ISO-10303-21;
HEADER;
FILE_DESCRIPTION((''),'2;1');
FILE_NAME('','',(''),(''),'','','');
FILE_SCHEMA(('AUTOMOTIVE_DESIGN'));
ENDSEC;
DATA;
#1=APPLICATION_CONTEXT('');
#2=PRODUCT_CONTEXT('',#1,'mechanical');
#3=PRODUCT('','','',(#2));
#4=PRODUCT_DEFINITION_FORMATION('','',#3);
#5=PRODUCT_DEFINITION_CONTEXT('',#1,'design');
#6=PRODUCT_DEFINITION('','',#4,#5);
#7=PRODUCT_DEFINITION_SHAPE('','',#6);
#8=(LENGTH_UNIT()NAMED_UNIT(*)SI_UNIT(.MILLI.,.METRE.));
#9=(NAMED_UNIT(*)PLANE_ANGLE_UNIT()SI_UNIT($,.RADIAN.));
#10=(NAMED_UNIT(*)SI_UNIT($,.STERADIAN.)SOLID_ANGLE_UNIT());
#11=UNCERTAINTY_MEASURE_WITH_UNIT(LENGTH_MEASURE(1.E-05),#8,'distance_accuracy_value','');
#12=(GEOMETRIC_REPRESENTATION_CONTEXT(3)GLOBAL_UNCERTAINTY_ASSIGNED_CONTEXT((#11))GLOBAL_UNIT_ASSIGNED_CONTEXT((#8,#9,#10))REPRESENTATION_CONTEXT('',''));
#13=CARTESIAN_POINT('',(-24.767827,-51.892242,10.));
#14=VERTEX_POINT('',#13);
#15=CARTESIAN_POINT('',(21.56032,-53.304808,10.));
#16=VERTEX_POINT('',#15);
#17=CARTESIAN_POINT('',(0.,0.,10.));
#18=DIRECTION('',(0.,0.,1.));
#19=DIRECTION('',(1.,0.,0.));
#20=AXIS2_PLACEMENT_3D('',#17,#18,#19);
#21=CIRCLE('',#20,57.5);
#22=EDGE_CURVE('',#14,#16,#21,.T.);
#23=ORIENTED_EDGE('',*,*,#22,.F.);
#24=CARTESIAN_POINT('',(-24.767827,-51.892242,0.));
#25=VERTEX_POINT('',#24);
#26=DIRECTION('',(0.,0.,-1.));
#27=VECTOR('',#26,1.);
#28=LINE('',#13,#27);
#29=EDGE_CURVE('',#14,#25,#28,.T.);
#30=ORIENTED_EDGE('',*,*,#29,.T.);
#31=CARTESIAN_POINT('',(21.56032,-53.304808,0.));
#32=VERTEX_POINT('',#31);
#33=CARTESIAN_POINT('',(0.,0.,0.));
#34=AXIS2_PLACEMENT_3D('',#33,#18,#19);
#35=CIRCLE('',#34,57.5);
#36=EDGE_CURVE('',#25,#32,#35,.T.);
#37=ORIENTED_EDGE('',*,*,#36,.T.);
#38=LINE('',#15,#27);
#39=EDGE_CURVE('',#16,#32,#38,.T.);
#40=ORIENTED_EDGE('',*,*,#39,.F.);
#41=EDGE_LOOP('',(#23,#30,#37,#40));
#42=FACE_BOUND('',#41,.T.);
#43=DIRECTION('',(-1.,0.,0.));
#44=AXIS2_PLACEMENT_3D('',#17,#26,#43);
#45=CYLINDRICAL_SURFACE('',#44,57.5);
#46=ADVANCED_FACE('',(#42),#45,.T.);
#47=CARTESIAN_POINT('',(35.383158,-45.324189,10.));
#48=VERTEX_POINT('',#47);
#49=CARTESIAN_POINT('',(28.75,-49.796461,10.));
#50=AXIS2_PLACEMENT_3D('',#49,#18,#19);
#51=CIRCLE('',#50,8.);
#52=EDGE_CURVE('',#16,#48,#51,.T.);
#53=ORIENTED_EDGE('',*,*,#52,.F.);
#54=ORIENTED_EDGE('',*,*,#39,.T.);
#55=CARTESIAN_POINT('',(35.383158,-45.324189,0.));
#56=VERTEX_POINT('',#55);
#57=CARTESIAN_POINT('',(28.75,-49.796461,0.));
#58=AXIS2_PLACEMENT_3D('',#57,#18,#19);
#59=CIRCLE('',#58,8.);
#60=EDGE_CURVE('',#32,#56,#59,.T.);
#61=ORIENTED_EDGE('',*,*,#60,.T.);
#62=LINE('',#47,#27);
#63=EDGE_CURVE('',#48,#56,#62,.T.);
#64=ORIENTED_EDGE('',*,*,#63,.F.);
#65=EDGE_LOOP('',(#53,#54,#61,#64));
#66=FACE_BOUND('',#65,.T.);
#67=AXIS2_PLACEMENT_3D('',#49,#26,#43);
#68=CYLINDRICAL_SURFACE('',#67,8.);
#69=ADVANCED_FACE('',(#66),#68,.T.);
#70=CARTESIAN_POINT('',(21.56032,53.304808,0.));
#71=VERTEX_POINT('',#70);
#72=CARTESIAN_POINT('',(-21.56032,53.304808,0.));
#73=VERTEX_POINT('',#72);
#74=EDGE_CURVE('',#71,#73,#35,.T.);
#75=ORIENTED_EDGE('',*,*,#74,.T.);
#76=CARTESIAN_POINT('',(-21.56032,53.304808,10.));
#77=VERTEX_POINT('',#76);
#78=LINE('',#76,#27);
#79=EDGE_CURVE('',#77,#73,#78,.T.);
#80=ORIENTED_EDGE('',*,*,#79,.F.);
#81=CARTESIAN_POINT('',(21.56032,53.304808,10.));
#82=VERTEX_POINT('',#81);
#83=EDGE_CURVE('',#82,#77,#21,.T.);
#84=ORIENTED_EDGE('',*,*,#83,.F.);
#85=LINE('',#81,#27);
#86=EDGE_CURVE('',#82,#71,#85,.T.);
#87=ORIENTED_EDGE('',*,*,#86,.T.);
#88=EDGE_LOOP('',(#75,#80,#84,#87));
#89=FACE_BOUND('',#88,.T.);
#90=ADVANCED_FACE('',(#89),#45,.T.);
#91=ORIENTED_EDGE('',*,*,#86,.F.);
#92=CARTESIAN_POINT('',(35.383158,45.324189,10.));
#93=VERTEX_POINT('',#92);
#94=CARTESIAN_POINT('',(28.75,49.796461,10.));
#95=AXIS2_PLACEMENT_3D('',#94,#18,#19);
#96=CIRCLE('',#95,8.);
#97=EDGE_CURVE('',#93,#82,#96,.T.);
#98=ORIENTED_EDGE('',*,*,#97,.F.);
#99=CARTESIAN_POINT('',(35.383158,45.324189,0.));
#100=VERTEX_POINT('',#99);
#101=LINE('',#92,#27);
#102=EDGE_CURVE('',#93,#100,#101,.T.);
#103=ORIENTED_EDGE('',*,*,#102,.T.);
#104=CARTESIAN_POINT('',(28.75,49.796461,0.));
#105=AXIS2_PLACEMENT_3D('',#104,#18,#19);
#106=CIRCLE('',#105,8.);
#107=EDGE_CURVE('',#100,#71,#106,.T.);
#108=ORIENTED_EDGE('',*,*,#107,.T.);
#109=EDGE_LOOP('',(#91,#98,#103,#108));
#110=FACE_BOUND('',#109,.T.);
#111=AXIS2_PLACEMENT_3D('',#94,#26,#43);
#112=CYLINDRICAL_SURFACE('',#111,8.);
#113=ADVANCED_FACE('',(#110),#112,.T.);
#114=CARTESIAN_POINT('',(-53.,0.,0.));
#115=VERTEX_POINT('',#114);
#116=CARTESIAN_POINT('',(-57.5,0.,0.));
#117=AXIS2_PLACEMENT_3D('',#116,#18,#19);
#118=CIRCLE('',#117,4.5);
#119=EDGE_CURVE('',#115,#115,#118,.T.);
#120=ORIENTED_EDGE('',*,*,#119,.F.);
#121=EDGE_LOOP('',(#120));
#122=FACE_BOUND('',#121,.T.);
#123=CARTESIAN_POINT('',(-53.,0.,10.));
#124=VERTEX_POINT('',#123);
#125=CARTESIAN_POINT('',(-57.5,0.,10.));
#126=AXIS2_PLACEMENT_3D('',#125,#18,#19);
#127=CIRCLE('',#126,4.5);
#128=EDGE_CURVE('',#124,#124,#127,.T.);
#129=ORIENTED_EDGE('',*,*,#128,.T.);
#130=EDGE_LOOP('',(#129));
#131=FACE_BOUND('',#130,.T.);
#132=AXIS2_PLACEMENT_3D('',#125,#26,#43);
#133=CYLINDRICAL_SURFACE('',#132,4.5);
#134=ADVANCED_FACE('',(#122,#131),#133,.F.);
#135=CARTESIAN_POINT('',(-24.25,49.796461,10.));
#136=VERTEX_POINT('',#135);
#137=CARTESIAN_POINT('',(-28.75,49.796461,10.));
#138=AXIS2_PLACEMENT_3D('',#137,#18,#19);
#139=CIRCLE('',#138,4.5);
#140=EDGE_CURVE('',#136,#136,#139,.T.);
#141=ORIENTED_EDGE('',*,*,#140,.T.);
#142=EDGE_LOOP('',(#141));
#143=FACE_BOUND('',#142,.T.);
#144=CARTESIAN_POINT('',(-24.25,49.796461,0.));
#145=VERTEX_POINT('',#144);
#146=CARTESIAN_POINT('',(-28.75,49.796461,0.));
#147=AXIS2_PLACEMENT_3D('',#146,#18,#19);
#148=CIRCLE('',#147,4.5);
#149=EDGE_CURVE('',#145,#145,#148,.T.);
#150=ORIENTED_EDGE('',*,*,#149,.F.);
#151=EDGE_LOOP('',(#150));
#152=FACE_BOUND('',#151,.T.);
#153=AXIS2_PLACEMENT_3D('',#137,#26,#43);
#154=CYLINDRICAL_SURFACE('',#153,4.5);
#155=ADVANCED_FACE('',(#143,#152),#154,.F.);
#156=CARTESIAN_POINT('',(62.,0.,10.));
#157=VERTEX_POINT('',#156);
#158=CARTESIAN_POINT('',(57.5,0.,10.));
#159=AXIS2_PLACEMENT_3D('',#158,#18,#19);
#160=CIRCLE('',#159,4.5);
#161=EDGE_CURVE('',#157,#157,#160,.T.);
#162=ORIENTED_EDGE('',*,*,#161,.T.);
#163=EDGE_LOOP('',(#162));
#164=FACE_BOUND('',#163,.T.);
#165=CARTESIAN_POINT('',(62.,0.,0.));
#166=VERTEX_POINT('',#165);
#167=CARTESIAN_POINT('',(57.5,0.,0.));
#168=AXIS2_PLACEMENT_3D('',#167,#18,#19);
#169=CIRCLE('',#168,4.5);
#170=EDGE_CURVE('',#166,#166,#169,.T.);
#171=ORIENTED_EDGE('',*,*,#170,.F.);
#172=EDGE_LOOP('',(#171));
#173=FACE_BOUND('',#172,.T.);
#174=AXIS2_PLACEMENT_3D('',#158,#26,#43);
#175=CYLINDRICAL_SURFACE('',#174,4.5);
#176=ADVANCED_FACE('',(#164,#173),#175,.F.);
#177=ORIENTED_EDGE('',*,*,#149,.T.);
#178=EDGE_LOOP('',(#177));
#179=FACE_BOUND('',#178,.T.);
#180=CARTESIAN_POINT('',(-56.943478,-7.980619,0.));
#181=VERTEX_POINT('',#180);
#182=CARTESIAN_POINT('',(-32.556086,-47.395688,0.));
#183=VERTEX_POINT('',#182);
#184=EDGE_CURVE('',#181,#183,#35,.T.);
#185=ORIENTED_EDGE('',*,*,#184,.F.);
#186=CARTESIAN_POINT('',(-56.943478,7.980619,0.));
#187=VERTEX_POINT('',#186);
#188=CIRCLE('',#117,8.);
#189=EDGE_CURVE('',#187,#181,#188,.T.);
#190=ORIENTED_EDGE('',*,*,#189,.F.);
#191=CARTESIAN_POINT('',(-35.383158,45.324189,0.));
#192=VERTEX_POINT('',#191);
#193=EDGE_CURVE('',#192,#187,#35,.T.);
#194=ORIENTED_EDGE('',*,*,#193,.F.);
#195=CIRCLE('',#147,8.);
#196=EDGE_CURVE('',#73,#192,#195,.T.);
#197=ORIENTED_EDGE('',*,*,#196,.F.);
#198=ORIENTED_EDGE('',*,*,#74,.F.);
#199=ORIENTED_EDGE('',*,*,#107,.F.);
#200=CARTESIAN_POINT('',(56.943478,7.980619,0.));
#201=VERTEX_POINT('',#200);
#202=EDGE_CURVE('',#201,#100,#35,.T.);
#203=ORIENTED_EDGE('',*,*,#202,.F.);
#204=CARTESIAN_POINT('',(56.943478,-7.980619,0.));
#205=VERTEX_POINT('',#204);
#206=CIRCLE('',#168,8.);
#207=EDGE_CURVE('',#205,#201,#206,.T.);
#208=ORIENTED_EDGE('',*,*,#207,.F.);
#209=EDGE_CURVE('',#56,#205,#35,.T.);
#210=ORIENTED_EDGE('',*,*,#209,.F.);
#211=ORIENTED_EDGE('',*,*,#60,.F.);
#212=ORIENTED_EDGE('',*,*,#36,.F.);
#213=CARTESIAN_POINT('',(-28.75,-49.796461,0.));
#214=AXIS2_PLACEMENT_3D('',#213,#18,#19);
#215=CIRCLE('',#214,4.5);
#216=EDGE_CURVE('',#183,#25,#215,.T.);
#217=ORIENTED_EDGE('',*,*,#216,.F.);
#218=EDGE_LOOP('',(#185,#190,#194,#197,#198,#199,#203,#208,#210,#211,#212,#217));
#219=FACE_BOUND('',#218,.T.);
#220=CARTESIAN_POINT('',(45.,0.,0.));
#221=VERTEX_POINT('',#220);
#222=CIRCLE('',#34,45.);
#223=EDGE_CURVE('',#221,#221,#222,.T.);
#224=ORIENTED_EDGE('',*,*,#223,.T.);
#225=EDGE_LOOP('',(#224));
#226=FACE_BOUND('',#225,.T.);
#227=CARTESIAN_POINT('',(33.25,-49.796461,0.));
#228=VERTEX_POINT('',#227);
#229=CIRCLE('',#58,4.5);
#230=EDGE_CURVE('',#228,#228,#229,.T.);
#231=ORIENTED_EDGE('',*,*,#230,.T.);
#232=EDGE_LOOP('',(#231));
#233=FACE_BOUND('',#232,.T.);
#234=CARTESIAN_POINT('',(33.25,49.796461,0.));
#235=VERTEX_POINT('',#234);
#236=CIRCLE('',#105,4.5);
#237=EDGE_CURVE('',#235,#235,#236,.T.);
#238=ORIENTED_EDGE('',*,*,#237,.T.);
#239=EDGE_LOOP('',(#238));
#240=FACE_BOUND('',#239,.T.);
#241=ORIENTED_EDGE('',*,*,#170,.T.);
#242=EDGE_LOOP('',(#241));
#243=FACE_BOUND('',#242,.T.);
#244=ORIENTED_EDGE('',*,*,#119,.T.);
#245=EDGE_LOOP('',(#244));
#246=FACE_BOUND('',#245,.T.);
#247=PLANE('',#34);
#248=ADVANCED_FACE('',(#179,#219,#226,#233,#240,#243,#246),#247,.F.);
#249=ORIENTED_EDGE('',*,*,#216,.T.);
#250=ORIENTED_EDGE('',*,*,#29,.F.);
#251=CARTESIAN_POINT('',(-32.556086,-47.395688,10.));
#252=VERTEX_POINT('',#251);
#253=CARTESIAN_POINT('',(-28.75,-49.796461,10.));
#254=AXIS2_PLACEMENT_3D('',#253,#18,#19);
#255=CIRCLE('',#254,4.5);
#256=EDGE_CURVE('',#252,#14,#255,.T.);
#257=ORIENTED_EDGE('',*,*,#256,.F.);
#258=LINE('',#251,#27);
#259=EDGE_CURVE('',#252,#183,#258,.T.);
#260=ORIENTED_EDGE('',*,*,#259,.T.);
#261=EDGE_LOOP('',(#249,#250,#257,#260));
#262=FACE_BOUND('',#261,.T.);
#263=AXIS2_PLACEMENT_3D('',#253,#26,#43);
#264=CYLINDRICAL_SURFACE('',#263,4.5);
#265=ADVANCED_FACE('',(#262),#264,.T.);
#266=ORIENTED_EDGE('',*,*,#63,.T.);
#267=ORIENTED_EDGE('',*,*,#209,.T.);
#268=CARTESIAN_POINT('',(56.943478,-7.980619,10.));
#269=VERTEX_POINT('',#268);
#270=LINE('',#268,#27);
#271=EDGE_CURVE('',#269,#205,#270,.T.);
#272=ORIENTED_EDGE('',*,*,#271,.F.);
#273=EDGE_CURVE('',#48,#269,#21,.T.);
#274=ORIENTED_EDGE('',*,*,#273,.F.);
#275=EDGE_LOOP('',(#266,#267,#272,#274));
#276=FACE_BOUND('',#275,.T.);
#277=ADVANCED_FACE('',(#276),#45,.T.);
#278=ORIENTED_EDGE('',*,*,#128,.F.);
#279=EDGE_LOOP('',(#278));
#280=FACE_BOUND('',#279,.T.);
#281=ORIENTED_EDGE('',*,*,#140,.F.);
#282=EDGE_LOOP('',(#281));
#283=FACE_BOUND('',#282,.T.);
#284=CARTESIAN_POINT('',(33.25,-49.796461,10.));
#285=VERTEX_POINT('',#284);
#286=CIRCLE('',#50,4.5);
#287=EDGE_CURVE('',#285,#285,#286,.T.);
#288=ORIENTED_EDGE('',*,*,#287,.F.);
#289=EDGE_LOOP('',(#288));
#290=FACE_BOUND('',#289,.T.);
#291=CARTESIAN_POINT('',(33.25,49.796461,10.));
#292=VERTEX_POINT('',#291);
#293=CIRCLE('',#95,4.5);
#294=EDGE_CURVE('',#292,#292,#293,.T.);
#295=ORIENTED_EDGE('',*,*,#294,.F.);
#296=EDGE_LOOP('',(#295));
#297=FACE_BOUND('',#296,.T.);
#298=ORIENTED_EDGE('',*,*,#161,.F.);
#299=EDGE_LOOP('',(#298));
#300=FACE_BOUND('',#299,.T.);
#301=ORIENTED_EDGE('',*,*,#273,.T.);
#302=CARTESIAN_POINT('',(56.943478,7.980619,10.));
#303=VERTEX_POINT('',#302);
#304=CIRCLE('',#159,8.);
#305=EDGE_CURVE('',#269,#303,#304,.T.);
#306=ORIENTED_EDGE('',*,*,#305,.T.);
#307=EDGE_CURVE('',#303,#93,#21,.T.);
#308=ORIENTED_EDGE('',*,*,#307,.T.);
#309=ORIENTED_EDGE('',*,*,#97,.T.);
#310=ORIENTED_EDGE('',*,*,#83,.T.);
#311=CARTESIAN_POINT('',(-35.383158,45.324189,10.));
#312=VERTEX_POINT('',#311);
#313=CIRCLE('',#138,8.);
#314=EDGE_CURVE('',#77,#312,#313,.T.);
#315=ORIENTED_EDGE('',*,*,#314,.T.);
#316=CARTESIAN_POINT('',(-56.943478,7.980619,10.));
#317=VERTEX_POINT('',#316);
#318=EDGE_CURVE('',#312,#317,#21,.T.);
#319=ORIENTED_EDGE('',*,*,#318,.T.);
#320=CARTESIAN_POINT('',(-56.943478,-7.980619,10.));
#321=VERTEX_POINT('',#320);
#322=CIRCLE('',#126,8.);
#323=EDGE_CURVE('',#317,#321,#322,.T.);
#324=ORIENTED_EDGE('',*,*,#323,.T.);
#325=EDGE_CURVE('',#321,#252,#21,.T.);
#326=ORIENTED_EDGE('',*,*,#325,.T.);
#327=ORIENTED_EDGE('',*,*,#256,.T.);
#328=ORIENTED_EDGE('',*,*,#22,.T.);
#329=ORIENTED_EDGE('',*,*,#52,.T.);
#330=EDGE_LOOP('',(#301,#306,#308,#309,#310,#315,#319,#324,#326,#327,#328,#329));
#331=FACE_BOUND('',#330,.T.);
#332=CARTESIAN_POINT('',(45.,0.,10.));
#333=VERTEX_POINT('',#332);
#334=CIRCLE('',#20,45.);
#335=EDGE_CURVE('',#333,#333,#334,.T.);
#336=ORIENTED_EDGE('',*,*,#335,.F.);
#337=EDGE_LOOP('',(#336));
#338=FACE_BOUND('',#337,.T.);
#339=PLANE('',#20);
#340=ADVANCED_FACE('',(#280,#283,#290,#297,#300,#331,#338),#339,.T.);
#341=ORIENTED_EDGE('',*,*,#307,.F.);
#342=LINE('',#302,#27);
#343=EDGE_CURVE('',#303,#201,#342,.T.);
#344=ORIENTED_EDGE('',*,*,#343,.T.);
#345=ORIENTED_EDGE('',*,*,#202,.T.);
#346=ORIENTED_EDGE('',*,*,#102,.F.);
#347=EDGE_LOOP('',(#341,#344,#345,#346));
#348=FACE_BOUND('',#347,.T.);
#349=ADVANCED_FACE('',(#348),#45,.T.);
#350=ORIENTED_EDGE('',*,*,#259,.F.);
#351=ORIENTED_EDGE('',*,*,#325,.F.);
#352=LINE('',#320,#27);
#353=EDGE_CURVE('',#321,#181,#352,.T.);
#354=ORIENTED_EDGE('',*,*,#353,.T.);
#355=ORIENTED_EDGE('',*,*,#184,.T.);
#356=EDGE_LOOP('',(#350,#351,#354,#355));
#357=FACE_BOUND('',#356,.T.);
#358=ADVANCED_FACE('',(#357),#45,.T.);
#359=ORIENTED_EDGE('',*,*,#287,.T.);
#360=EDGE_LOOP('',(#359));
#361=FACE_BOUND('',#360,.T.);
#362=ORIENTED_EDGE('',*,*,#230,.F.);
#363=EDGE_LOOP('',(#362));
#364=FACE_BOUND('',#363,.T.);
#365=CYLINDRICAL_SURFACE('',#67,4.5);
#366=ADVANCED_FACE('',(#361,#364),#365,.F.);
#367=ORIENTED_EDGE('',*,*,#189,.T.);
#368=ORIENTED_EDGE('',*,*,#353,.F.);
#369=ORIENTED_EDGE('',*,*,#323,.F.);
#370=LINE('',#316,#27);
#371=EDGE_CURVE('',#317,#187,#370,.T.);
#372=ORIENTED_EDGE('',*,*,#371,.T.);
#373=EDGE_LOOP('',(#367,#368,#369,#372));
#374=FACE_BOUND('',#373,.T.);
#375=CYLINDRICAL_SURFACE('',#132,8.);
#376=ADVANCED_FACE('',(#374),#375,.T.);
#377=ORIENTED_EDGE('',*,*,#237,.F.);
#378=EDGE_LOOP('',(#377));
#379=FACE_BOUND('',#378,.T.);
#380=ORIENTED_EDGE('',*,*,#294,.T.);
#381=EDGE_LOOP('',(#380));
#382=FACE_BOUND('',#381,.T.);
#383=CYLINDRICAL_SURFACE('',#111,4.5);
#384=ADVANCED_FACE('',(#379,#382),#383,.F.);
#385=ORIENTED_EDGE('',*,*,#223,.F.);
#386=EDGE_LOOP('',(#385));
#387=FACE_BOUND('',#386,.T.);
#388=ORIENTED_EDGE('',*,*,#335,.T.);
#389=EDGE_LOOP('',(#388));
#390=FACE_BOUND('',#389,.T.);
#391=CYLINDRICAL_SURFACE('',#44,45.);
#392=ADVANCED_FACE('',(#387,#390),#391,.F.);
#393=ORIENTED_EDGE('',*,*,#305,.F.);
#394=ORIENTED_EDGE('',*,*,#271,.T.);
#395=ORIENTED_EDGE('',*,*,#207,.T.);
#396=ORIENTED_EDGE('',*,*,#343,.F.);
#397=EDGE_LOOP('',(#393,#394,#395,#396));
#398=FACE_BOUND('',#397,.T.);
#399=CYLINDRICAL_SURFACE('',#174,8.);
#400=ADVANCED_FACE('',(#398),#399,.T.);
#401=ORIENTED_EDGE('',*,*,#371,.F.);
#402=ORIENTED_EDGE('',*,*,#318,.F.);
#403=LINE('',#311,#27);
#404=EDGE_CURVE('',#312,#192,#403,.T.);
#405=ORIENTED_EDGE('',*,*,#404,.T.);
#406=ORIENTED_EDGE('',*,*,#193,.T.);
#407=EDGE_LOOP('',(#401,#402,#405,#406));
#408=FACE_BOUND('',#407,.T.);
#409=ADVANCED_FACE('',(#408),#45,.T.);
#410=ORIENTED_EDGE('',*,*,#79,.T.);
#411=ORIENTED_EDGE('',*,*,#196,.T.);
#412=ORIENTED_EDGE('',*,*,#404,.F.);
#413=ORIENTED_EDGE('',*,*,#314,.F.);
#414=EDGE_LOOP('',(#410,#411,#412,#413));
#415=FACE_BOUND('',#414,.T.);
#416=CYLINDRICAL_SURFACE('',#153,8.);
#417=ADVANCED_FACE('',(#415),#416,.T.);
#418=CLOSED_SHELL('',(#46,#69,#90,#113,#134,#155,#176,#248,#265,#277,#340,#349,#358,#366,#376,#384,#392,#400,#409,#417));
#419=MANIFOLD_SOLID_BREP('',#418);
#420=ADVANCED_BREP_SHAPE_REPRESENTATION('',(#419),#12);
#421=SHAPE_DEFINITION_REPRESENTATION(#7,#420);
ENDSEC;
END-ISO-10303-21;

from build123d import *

# Parameters (mm, degrees)
SKETCH1_R           = 4.5
SKETCH1_R_2         = 45
BOSS_EXTRUDE1_DEPTH = 10


with BuildPart() as part:
    # Sketch1 → Boss-Extrude1 (new body)
    with BuildSketch(Plane.XY):
        with BuildLine():
            ThreePointArc((56.943478261, -7.980619246), (65.5, 0), (56.943478261, 7.980619246))
            ThreePointArc((56.943478261, 7.980619246), (49.796460718, 28.75), (35.383158136, 45.324189131))
            ThreePointArc((35.383158136, 45.324189131), (32.75, 56.724663948), (21.560320125, 53.304808377))
            ThreePointArc((21.560320125, 53.304808377), (0, 57.5), (-21.560320125, 53.304808377))
            ThreePointArc((-21.560320125, 53.304808377), (-32.75, 56.724663948), (-35.383158136, 45.324189131))
            ThreePointArc((-35.383158136, 45.324189131), (-49.796460718, 28.75), (-56.943478261, 7.980619246))
            ThreePointArc((-56.943478261, 7.980619246), (-65.5, 0), (-56.943478261, -7.980619246))
            ThreePointArc((-56.943478261, -7.980619246), (-48.897136106, -30.254257231), (-32.556086083, -47.39568819))
            ThreePointArc((-32.556086083, -47.39568819), (-31, -53.693575035), (-24.767826961, -51.89224169))
            ThreePointArc((-24.767826961, -51.89224169), (-1.752387282, -57.473290656), (21.560320125, -53.304808377))
            ThreePointArc((21.560320125, -53.304808377), (32.75, -56.724663948), (35.383158136, -45.324189131))
            ThreePointArc((35.383158136, -45.324189131), (49.796460718, -28.75), (56.943478261, -7.980619246))
        make_face()
        with Locations((57.5, 0)):
            Circle(SKETCH1_R, mode=Mode.SUBTRACT)
        with Locations((-57.5, 0)):
            Circle(SKETCH1_R, mode=Mode.SUBTRACT)
        with Locations((-28.75, 49.796460718)):
            Circle(SKETCH1_R, mode=Mode.SUBTRACT)
        with Locations((28.75, 49.796460718)):
            Circle(SKETCH1_R, mode=Mode.SUBTRACT)
        Circle(SKETCH1_R_2, mode=Mode.SUBTRACT)
        with Locations((28.75, -49.796460718)):
            Circle(SKETCH1_R, mode=Mode.SUBTRACT)
    extrude(amount=BOSS_EXTRUDE1_DEPTH)


solid = part.part
